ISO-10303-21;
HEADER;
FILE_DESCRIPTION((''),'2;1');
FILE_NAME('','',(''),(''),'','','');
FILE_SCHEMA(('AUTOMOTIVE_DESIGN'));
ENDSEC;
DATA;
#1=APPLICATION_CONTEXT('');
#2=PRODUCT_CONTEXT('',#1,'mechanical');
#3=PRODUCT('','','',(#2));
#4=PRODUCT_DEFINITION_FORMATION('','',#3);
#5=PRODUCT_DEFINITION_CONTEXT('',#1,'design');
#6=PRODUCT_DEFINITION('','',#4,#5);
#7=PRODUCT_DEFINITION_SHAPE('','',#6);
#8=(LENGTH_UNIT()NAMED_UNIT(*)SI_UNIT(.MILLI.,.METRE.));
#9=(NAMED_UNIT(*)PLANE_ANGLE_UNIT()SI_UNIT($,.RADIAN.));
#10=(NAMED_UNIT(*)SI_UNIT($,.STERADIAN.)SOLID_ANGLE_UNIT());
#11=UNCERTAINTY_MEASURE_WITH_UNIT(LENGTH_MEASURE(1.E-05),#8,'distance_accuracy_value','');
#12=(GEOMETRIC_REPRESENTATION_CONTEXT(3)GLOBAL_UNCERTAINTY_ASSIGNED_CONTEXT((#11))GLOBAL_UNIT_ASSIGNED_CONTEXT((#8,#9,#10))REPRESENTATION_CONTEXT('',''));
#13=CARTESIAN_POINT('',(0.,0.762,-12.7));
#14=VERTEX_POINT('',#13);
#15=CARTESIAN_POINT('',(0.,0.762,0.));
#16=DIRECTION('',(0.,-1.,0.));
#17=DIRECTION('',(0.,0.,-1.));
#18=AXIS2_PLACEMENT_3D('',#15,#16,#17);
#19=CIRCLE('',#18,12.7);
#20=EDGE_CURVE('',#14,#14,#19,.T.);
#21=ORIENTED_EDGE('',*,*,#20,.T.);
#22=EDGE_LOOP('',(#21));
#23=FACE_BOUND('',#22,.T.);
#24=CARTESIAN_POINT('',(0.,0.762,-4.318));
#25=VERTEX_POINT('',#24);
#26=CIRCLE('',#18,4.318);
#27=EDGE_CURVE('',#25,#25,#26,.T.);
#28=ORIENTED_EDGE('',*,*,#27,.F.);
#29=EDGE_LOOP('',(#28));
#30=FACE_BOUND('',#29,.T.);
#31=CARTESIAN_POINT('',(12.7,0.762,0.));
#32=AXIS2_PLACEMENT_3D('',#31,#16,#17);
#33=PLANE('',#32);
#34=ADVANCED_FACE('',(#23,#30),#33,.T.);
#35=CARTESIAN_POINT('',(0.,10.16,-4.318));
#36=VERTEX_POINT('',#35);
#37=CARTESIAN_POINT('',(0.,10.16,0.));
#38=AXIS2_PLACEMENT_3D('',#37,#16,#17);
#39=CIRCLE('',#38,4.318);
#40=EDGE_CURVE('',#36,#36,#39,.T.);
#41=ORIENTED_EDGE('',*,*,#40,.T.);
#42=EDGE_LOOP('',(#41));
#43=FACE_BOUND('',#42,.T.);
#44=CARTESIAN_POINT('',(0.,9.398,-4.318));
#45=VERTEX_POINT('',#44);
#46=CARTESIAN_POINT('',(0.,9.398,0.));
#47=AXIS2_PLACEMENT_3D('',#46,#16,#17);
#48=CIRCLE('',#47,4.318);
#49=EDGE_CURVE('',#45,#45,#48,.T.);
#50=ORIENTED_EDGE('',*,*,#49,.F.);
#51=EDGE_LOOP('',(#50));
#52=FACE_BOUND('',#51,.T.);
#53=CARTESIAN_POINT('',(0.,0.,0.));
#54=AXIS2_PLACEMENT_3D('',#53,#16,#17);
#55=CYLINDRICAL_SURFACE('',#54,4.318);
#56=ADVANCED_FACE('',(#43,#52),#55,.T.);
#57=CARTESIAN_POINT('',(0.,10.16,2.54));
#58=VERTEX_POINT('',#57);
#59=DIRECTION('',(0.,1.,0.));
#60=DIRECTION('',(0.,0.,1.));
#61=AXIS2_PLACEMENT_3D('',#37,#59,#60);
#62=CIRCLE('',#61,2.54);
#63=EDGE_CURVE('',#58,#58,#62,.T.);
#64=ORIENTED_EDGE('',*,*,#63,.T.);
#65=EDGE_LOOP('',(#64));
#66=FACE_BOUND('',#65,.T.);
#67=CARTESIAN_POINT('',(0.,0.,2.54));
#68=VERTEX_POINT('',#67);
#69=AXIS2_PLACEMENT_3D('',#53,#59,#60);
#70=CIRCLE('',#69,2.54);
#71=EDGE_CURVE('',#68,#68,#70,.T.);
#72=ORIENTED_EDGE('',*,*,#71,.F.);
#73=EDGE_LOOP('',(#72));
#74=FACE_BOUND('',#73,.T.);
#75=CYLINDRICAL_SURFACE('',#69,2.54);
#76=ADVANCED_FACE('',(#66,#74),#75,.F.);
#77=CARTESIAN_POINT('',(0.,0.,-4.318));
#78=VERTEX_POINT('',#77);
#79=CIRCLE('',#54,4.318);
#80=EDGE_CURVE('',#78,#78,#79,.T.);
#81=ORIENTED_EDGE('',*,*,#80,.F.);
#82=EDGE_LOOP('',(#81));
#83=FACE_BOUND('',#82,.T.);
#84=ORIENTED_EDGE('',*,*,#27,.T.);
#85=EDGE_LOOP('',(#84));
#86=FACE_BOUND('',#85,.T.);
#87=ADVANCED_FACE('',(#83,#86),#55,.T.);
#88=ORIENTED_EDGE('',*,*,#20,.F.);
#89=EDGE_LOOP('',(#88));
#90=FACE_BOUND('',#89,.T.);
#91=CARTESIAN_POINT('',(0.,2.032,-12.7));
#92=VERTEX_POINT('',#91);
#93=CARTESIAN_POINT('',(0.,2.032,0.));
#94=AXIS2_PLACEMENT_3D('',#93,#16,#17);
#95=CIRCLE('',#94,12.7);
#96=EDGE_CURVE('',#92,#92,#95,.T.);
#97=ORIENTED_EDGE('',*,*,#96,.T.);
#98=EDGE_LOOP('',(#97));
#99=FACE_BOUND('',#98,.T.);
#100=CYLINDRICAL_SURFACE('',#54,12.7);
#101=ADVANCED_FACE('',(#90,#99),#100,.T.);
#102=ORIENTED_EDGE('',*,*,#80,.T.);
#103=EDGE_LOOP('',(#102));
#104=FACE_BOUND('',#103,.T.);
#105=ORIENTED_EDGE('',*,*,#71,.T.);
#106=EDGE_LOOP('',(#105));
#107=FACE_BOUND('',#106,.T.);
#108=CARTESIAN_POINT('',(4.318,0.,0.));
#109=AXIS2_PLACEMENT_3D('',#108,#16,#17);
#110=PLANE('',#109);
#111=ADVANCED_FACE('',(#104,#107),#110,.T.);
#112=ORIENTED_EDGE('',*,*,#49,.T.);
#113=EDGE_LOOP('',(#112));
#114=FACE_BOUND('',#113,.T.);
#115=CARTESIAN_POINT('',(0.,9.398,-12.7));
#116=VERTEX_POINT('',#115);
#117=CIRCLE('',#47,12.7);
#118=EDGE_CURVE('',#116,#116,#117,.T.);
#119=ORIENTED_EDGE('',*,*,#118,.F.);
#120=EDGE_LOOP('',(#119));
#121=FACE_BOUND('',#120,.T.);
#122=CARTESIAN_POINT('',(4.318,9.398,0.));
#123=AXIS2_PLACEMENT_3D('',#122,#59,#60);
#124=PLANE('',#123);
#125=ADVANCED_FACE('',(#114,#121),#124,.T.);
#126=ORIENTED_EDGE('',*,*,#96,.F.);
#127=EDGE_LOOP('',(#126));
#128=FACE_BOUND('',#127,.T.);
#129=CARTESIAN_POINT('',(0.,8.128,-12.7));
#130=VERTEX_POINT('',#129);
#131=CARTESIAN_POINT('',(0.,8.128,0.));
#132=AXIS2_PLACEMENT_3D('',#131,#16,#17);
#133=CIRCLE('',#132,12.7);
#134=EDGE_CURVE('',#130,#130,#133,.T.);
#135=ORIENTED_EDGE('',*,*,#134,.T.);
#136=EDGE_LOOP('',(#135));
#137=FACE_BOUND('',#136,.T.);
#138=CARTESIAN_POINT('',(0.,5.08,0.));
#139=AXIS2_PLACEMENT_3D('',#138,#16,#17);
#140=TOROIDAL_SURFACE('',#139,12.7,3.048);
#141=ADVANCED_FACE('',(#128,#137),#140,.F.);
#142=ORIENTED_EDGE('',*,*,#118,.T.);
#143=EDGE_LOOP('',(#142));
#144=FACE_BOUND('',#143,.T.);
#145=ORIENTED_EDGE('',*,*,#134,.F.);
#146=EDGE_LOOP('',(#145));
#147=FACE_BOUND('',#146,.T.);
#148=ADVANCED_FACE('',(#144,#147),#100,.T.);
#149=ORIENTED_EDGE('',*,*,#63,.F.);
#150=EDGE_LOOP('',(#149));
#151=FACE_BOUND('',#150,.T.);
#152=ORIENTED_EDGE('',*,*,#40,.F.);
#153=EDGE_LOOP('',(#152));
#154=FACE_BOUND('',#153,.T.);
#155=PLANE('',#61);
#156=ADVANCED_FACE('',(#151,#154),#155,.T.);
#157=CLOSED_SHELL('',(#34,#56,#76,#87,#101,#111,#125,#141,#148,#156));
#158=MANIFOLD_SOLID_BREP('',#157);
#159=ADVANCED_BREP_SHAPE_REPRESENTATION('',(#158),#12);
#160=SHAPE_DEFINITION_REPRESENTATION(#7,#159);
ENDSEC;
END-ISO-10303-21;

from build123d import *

# Parameters (mm, degrees)
SKETCH2_R          = 2.54
CUT_EXTRUDE1_DEPTH = 21.635057548


with BuildPart() as part:
    # Sketch1 → Revolve1 (revolve)
    with BuildSketch(Plane.XY, mode=Mode.PRIVATE) as revolve1_sk:
        with BuildLine():
            Line((0, 0), (0, 10.16))
            Line((0, 10.16), (4.318, 10.16))
            Line((4.318, 10.16), (4.318, 9.398))
            Line((4.318, 9.398), (12.7, 9.398))
            Line((12.7, 9.398), (12.7, 8.128))
            ThreePointArc((12.7, 8.128), (9.652, 5.08), (12.7, 2.032))
            Line((12.7, 2.032), (12.7, 0.762))
            Line((12.7, 0.762), (4.318, 0.762))
            Line((4.318, 0.762), (4.318, 0))
            Line((4.318, 0), (0, 0))
        make_face()
    revolve(revolve1_sk.sketch.rotate(Axis((0, 0, 0), (0, 1, 0)), 90), axis=Axis((0, 0, 0), (0, 1, 0)))

    # Sketch2 → Cut-Extrude1 (cut, through all)
    with BuildSketch(Plane(origin=(0, 10.16, 0), x_dir=(1, 0, 0), z_dir=(0, 1, 0))):
        with Locations(Location((0, 0, 0), (0, 0, 270))):
            Circle(SKETCH2_R)
    extrude(amount=-CUT_EXTRUDE1_DEPTH, mode=Mode.SUBTRACT)


solid = part.part
